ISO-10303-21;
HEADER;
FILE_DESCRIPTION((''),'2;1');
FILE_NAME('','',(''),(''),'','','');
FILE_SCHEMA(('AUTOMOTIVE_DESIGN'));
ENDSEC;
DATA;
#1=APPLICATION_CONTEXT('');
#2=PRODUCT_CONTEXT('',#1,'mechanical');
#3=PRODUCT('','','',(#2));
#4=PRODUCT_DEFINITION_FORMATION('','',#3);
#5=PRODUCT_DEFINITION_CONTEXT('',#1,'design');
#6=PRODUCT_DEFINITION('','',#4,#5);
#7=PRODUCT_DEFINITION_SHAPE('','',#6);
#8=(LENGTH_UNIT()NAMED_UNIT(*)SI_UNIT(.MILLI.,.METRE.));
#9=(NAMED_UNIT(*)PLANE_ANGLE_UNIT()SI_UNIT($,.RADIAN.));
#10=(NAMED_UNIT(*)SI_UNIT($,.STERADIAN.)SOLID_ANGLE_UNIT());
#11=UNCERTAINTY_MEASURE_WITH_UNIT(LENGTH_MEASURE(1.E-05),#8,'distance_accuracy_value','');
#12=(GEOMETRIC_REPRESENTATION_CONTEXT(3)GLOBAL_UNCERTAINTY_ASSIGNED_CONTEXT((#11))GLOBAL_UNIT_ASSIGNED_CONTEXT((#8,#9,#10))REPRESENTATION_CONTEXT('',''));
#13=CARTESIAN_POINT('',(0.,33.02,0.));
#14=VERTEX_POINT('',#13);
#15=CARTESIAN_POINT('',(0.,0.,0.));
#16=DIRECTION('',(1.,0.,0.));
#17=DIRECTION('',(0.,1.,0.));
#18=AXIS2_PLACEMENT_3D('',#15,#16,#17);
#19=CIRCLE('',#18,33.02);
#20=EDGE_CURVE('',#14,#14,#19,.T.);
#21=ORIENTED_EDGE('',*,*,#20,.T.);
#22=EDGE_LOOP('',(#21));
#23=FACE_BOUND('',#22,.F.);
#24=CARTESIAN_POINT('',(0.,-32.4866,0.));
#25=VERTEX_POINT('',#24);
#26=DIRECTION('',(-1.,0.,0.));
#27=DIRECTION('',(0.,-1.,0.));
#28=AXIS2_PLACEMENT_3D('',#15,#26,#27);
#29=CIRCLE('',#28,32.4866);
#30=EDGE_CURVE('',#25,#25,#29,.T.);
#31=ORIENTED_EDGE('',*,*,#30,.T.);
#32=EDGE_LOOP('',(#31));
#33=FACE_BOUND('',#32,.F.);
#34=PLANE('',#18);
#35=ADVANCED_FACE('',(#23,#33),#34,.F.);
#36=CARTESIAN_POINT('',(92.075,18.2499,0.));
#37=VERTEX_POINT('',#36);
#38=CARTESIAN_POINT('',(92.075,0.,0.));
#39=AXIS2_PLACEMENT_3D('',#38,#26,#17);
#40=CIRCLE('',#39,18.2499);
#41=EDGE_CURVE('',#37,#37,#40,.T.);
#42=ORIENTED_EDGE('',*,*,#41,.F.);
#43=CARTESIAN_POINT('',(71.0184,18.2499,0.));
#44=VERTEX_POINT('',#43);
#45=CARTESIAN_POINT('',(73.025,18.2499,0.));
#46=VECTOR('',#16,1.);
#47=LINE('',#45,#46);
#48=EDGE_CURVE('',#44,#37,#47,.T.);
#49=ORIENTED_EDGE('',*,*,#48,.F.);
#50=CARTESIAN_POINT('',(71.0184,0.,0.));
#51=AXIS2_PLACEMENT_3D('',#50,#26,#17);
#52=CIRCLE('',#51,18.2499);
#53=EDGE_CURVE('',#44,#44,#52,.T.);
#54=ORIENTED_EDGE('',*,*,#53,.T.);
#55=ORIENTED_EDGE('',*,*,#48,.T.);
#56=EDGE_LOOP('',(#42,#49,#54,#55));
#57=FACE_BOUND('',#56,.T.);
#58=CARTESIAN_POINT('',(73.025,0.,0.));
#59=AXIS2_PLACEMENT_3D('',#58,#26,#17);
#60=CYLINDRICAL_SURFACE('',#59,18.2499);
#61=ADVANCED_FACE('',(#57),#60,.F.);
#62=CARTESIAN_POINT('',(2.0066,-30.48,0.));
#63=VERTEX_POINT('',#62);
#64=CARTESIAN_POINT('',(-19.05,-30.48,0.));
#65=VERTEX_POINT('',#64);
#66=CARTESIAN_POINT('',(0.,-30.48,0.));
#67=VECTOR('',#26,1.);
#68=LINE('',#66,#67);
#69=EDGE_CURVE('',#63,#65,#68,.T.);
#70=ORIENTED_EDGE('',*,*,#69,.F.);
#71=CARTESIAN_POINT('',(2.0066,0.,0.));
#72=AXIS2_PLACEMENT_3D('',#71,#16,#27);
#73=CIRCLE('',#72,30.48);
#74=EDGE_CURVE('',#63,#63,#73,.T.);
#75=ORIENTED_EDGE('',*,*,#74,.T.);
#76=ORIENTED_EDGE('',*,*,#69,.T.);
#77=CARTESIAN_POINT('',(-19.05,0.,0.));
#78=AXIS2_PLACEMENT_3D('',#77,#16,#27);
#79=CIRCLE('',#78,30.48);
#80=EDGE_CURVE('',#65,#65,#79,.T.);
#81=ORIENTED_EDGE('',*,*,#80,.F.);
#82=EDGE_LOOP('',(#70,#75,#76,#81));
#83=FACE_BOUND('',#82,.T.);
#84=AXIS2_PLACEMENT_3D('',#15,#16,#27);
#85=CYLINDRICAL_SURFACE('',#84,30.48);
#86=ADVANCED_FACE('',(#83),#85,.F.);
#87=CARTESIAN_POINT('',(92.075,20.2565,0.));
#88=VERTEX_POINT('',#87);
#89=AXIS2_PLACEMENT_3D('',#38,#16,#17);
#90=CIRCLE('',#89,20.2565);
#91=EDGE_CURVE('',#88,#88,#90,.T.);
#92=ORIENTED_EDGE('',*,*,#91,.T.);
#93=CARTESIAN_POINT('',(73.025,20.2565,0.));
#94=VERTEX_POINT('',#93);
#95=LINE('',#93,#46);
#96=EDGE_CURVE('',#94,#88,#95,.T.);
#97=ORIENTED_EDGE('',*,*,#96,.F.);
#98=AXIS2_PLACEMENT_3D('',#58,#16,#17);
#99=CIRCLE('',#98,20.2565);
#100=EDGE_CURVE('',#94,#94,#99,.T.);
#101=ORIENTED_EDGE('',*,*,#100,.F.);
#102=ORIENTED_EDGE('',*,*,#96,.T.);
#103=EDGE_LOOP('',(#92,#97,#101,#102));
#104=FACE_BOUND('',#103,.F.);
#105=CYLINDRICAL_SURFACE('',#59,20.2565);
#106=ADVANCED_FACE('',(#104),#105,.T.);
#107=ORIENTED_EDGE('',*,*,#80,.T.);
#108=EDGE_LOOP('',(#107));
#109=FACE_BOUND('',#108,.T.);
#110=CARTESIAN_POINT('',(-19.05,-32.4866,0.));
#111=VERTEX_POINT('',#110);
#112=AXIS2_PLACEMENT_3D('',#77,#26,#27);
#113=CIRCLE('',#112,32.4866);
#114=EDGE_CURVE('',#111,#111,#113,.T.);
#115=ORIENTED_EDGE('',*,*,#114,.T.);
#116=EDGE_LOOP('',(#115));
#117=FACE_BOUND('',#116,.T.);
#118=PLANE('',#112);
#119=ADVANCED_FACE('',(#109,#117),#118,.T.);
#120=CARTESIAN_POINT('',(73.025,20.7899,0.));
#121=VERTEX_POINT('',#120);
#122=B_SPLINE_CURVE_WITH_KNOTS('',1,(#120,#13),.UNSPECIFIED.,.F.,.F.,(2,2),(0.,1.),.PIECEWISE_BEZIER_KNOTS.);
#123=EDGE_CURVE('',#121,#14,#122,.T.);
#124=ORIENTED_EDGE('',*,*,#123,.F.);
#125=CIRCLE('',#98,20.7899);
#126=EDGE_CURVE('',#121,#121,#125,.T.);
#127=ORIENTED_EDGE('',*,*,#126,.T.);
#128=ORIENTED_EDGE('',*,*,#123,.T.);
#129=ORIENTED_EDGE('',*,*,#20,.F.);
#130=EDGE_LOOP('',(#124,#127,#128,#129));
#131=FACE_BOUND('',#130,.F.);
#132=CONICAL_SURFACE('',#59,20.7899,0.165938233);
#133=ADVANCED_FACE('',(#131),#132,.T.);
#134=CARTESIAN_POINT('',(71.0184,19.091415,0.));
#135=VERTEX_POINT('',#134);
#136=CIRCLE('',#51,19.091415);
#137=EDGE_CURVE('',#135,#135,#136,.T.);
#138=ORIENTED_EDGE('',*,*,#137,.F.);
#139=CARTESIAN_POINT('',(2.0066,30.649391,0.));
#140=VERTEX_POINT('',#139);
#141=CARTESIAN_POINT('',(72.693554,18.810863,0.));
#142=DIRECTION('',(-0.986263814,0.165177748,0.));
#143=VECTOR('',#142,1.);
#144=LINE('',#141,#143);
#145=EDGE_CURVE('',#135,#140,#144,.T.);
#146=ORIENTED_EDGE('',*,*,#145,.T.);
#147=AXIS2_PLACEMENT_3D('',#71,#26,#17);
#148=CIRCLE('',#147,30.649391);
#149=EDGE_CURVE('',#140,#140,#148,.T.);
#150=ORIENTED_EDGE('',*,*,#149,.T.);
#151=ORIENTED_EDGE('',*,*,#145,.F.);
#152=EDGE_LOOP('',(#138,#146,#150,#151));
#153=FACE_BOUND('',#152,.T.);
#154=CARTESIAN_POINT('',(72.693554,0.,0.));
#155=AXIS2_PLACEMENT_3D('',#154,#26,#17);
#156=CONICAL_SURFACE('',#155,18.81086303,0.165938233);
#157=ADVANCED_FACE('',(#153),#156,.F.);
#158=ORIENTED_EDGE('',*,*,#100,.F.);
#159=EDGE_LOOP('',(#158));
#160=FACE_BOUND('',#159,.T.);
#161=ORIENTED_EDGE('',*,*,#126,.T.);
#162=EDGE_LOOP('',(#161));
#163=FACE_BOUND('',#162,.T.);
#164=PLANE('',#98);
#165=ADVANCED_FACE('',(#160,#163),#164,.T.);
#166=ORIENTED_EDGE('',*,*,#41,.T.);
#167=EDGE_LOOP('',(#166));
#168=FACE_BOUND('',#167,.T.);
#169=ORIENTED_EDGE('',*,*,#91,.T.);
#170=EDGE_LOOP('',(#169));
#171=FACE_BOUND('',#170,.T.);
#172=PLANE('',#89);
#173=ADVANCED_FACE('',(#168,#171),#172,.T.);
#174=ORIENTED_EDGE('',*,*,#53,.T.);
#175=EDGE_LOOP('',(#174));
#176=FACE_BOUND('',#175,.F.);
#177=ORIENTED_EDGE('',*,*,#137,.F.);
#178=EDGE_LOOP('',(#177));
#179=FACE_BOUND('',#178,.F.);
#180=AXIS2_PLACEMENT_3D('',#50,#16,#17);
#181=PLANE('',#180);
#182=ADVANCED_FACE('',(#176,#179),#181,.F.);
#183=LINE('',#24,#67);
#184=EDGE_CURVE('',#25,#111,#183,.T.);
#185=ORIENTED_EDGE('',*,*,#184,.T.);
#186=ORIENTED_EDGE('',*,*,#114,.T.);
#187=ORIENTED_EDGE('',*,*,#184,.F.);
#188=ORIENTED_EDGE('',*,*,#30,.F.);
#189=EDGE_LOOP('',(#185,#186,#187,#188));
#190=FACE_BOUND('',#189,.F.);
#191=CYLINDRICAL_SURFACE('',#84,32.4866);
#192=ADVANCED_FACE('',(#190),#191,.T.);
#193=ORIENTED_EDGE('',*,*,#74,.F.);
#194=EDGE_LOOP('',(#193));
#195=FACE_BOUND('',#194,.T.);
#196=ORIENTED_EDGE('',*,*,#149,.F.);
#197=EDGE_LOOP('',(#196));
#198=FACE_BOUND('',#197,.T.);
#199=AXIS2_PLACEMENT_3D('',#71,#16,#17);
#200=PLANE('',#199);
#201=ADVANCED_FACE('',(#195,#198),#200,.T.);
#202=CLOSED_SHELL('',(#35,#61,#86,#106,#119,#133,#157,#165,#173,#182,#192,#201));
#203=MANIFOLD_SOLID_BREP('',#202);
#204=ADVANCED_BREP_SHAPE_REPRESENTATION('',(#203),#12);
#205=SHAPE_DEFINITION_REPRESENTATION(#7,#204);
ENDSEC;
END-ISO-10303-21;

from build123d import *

# Parameters (mm, degrees)
F2_R     = 20.7899
F0_R     = 33.02
F4_R     = 32.4866
F5_DEPTH = 19.05
F6_R     = 20.2565
F7_DEPTH = 19.05
F8_T     = -2.0066


with BuildPart() as f3:
    # F2 (on offset) → F3 section 0
    with BuildSketch(Plane.YZ.offset(73.025)):
        Circle(F2_R)
    # F0 (on Right) → F3 section 1
    with BuildSketch(Plane.YZ):
        Circle(F0_R)
    loft()

    # F4 (on face) → F5 (join)
    with BuildSketch(Plane(origin=(0, 0, 0), x_dir=(0, -1, 0), z_dir=(-1, 0, 0))):
        Circle(F4_R)
    extrude(amount=F5_DEPTH)

    # F6 (on face) → F7 (join)
    with BuildSketch(Plane.YZ.offset(73.025)):
        Circle(F6_R)
    extrude(amount=F7_DEPTH)

    # F8
    f8_openings = [f3.faces().sort_by_distance(p)[0] for p in [
        (92.075, 0, 0),
        (-19.05, 0, 0),
    ]]
    offset(amount=F8_T, openings=f8_openings, kind=Kind.INTERSECTION)


solid = f3.part
